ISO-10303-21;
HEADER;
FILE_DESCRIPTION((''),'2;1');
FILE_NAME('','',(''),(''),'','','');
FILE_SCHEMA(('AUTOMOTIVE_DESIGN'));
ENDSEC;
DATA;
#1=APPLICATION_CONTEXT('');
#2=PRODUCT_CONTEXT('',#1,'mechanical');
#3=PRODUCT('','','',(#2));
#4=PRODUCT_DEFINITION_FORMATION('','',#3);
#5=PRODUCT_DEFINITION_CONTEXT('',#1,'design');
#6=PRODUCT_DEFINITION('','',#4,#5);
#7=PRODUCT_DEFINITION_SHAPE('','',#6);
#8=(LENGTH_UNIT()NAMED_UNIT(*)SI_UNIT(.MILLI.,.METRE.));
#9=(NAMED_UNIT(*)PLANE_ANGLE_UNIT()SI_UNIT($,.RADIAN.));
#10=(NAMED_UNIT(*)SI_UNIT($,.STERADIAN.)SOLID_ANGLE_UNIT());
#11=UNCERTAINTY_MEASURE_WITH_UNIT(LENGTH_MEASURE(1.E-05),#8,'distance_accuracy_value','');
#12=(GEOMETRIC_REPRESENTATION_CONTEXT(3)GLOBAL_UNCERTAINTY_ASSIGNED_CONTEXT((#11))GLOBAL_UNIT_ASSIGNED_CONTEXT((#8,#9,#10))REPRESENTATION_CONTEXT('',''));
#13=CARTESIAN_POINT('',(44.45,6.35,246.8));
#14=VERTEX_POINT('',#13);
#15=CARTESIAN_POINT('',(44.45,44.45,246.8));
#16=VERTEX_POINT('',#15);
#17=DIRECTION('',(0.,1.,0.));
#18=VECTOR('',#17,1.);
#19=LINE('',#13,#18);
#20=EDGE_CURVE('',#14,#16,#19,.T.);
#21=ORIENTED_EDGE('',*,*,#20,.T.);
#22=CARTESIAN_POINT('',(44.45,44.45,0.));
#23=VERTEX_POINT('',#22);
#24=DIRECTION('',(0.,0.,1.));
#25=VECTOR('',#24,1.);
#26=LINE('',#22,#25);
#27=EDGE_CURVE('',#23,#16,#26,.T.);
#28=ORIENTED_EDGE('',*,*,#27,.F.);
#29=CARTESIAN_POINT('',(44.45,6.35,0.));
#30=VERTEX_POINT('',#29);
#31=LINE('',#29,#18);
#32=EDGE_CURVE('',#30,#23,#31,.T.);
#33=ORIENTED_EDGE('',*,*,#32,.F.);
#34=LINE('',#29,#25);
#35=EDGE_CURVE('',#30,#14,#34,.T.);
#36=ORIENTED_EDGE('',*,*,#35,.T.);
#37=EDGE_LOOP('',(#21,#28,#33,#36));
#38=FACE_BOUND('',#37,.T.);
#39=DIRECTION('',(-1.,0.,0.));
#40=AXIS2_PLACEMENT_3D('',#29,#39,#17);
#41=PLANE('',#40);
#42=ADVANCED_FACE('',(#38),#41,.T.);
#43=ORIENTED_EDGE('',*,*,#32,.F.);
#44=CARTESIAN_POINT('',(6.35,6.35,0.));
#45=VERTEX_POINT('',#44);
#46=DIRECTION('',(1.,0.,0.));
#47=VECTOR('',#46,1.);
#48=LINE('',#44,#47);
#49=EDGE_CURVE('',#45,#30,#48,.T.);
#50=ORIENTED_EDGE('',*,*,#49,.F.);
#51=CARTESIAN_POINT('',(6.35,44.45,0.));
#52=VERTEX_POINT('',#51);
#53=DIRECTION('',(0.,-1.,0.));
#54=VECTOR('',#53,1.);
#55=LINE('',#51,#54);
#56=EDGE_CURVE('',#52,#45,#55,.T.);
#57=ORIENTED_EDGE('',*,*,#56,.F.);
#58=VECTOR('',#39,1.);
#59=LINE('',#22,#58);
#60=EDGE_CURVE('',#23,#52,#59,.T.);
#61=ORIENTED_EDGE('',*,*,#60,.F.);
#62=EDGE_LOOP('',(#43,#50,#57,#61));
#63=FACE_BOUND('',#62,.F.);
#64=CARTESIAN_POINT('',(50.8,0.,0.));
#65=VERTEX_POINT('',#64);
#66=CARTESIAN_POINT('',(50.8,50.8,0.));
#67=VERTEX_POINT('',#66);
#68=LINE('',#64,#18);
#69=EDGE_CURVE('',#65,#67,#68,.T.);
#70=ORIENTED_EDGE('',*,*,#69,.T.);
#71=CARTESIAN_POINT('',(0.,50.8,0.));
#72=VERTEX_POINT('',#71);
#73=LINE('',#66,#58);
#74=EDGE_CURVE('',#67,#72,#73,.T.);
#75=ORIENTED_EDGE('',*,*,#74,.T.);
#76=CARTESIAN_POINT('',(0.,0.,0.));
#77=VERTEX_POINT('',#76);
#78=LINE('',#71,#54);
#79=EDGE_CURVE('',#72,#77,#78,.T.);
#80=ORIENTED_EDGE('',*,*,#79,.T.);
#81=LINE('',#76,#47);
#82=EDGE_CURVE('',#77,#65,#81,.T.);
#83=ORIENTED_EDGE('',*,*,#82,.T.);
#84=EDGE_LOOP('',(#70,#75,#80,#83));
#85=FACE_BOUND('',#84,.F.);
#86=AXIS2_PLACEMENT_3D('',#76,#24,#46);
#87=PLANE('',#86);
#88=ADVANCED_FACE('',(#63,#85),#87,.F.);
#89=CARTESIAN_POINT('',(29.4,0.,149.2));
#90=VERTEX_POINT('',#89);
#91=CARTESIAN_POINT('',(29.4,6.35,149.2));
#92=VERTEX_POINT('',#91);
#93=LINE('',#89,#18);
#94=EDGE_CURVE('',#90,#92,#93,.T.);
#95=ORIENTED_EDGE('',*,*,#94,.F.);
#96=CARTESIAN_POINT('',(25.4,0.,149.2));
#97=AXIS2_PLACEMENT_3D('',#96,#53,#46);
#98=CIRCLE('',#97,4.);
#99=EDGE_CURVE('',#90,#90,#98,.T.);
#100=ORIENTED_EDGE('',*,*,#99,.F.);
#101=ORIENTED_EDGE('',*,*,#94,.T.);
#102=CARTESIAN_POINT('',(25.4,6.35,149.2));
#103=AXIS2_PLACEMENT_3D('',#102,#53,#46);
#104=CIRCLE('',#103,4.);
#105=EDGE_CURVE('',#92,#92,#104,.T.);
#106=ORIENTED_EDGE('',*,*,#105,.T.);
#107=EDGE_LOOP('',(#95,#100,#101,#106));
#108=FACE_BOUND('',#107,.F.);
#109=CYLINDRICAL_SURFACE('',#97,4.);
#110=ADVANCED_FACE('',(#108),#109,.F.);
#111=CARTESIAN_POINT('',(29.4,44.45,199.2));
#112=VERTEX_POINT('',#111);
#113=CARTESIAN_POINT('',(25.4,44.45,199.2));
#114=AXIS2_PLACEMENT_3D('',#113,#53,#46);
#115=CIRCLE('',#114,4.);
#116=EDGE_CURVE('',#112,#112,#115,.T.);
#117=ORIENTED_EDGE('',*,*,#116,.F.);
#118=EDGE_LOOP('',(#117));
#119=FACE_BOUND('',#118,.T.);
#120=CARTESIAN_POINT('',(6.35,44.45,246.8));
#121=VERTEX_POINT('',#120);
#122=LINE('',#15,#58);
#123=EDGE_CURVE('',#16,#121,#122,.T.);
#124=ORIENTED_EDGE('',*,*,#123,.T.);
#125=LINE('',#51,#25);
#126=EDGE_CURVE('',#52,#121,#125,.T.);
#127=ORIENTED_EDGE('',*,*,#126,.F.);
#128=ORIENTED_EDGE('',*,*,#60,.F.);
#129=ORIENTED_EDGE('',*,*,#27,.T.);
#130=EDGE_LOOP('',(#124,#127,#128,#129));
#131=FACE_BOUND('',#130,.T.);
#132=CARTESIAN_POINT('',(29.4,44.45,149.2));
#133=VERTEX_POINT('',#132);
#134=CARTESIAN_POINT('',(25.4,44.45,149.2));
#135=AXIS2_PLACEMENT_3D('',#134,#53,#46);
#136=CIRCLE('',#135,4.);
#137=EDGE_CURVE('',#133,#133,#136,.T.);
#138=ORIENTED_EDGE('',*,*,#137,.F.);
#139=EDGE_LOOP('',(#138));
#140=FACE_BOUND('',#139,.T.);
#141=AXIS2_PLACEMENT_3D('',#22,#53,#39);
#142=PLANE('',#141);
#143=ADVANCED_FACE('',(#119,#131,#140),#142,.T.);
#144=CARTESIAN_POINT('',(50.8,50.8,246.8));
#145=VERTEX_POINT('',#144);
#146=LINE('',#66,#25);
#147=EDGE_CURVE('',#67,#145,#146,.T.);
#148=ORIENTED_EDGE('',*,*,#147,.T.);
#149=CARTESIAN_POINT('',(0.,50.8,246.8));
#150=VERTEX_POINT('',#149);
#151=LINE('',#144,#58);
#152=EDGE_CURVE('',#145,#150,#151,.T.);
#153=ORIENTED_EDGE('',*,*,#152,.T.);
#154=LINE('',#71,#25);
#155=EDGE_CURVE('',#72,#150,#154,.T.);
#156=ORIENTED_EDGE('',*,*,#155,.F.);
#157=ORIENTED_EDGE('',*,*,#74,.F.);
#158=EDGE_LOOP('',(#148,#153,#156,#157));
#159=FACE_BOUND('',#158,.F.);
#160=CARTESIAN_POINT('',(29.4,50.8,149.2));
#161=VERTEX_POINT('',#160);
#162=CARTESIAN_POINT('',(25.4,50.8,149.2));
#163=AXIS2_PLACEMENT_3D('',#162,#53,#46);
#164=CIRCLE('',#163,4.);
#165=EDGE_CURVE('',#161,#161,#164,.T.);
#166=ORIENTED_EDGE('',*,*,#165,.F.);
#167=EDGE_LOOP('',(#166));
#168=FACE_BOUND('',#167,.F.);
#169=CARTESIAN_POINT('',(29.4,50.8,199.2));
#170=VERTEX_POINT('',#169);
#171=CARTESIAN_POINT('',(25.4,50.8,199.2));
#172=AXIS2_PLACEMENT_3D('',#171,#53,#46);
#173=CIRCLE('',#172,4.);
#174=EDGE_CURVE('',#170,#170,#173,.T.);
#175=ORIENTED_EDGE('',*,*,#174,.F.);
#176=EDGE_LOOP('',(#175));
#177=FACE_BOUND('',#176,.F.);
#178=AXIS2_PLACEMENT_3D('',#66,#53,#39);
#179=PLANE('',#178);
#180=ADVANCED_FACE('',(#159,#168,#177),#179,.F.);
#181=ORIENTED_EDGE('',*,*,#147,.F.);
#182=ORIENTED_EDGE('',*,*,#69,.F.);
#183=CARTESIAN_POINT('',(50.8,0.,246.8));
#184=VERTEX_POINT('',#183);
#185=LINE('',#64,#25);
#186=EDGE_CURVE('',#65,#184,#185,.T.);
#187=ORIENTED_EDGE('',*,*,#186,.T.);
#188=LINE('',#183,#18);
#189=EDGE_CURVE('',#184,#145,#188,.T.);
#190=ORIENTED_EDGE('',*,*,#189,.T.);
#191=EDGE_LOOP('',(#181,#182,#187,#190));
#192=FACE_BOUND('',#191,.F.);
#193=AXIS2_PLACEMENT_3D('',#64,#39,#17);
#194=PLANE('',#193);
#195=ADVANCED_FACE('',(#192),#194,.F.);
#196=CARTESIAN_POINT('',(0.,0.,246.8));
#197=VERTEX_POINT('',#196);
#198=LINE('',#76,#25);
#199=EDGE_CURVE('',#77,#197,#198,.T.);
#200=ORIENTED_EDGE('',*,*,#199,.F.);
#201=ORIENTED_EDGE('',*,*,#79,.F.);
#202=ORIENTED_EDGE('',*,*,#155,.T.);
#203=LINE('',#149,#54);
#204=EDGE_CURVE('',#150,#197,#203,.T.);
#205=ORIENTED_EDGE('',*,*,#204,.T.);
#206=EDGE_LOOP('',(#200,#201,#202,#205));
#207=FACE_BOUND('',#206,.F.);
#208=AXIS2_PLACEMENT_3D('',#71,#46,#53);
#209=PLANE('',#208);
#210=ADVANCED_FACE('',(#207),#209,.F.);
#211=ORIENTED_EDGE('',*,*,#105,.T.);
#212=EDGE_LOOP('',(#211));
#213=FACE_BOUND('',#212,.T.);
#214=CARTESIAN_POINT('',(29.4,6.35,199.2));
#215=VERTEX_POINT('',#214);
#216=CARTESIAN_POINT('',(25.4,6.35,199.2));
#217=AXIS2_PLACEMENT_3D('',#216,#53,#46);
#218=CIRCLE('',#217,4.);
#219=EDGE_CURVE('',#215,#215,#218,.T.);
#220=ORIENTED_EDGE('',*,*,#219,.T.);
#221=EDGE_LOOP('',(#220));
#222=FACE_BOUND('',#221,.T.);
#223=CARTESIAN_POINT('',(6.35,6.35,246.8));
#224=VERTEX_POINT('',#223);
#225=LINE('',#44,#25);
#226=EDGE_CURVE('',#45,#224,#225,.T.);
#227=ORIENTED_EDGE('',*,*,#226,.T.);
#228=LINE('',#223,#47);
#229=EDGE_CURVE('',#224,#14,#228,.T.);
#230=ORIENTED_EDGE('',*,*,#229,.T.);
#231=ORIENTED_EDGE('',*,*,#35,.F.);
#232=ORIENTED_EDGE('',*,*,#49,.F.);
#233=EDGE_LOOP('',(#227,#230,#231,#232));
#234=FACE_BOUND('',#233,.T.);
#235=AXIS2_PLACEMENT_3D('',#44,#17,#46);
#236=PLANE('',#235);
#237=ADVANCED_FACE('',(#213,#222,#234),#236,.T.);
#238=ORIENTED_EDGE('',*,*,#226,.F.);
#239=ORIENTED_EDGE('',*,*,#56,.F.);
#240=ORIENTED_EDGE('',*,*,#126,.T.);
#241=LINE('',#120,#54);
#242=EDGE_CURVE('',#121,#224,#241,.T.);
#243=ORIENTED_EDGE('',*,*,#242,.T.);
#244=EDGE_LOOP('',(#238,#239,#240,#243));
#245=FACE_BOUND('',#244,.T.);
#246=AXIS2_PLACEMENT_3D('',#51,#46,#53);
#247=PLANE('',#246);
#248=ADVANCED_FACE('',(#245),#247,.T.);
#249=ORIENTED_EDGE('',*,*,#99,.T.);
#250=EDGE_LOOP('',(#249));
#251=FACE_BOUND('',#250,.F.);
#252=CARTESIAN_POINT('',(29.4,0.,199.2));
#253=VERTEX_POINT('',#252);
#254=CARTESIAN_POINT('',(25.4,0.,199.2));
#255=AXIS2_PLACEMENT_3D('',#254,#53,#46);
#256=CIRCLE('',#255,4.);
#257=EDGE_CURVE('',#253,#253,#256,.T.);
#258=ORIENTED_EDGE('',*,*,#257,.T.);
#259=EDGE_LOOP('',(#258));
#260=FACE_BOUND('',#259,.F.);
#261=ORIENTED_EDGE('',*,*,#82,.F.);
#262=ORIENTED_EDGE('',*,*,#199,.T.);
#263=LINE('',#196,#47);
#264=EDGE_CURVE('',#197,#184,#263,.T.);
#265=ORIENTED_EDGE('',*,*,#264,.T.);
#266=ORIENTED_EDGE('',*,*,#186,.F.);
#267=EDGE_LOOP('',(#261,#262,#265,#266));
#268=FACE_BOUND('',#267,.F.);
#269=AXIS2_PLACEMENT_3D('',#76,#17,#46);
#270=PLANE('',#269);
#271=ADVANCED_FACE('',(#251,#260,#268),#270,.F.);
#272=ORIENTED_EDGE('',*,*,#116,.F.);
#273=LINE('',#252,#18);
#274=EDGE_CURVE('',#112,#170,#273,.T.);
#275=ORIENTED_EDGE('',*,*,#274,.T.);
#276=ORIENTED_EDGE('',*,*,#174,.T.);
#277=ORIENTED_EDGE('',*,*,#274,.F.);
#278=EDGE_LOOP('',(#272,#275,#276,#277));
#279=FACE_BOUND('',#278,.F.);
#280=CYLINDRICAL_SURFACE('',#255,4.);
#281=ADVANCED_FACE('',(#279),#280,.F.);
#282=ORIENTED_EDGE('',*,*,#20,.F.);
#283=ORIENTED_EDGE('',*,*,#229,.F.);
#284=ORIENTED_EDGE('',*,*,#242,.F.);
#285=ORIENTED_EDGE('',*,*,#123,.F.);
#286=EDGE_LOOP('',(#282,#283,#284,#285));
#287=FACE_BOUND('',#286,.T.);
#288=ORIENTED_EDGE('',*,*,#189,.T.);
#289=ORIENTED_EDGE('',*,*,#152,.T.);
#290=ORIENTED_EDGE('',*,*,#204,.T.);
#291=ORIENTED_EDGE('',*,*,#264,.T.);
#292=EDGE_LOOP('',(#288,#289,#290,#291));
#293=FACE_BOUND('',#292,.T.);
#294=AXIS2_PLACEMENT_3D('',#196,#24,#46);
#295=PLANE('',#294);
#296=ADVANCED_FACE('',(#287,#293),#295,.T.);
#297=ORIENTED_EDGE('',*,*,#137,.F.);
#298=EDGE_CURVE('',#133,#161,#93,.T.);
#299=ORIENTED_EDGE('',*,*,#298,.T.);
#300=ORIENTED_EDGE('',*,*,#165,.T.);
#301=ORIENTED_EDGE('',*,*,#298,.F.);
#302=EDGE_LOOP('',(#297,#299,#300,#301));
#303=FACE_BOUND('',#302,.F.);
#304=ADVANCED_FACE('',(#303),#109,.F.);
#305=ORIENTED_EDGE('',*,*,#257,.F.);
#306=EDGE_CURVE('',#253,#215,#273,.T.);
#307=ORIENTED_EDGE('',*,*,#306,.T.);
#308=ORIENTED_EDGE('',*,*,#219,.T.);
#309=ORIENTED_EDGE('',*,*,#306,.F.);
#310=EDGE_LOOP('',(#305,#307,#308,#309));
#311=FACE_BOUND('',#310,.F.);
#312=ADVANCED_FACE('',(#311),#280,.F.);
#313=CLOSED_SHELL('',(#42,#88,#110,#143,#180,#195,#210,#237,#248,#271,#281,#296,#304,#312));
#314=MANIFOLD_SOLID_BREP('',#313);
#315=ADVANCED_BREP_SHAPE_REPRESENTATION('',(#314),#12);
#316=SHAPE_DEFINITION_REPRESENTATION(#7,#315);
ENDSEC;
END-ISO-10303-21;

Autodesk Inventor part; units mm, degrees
ref_plane "YZ Plane" through (0, 0, 0) normal (1, 0, 0) x (0, 1, 0)
ref_plane "XZ Plane" through (0, 0, 0) normal (0, 1, 0) x (-1, 0, 0)
ref_plane "XY Plane" through (0, 0, 0) normal (0, 0, 1) x (1, 0, 0)
sketch "Sketch1" plane through (0, 0, 0) normal (0, 0, 1) x (1, 0, 0)
  line L0 (0, 0) -> (50.8, 0)
  line L1 (50.8, 0) -> (50.8, 50.8)
  line L2 (50.8, 50.8) -> (0, 50.8)
  line L3 (0, 50.8) -> (0, 0)
  line L4 (6.35, 6.35) -> (44.45, 6.35)
  line L5 (44.45, 6.35) -> (44.45, 44.45)
  line L6 (44.45, 44.45) -> (6.35, 44.45)
  line L7 (6.35, 44.45) -> (6.35, 6.35)
  dimension "d0" = 50.8
  dimension "d1" = 50.8
  dimension "d2" = 6.35
extrude "Extrusion1" add sketch "Sketch1" along normal blind 246.8
sketch "Sketch2" plane through (0, 0, 0) normal (0, -1, 0) x (1, 0, 0)
  circle A0 centre (25.4, 149.2) radius 4
  circle A1 centre (25.4, 199.2) radius 4
  line L0 (0, 246.8) -> (50.8, 246.8) projected
  line L1 (0, 0) -> (50.8, 0) projected
  point P0 (25.4, 246.8)
  dimension "d5" = 8
  dimension "d6" = 8
  dimension "d7" = 50
  dimension "d8" = 149.2
extrude "Extrusion2" cut sketch "Sketch2" against normal through all
properties part number "ST22" material "Aluminum 6061"
